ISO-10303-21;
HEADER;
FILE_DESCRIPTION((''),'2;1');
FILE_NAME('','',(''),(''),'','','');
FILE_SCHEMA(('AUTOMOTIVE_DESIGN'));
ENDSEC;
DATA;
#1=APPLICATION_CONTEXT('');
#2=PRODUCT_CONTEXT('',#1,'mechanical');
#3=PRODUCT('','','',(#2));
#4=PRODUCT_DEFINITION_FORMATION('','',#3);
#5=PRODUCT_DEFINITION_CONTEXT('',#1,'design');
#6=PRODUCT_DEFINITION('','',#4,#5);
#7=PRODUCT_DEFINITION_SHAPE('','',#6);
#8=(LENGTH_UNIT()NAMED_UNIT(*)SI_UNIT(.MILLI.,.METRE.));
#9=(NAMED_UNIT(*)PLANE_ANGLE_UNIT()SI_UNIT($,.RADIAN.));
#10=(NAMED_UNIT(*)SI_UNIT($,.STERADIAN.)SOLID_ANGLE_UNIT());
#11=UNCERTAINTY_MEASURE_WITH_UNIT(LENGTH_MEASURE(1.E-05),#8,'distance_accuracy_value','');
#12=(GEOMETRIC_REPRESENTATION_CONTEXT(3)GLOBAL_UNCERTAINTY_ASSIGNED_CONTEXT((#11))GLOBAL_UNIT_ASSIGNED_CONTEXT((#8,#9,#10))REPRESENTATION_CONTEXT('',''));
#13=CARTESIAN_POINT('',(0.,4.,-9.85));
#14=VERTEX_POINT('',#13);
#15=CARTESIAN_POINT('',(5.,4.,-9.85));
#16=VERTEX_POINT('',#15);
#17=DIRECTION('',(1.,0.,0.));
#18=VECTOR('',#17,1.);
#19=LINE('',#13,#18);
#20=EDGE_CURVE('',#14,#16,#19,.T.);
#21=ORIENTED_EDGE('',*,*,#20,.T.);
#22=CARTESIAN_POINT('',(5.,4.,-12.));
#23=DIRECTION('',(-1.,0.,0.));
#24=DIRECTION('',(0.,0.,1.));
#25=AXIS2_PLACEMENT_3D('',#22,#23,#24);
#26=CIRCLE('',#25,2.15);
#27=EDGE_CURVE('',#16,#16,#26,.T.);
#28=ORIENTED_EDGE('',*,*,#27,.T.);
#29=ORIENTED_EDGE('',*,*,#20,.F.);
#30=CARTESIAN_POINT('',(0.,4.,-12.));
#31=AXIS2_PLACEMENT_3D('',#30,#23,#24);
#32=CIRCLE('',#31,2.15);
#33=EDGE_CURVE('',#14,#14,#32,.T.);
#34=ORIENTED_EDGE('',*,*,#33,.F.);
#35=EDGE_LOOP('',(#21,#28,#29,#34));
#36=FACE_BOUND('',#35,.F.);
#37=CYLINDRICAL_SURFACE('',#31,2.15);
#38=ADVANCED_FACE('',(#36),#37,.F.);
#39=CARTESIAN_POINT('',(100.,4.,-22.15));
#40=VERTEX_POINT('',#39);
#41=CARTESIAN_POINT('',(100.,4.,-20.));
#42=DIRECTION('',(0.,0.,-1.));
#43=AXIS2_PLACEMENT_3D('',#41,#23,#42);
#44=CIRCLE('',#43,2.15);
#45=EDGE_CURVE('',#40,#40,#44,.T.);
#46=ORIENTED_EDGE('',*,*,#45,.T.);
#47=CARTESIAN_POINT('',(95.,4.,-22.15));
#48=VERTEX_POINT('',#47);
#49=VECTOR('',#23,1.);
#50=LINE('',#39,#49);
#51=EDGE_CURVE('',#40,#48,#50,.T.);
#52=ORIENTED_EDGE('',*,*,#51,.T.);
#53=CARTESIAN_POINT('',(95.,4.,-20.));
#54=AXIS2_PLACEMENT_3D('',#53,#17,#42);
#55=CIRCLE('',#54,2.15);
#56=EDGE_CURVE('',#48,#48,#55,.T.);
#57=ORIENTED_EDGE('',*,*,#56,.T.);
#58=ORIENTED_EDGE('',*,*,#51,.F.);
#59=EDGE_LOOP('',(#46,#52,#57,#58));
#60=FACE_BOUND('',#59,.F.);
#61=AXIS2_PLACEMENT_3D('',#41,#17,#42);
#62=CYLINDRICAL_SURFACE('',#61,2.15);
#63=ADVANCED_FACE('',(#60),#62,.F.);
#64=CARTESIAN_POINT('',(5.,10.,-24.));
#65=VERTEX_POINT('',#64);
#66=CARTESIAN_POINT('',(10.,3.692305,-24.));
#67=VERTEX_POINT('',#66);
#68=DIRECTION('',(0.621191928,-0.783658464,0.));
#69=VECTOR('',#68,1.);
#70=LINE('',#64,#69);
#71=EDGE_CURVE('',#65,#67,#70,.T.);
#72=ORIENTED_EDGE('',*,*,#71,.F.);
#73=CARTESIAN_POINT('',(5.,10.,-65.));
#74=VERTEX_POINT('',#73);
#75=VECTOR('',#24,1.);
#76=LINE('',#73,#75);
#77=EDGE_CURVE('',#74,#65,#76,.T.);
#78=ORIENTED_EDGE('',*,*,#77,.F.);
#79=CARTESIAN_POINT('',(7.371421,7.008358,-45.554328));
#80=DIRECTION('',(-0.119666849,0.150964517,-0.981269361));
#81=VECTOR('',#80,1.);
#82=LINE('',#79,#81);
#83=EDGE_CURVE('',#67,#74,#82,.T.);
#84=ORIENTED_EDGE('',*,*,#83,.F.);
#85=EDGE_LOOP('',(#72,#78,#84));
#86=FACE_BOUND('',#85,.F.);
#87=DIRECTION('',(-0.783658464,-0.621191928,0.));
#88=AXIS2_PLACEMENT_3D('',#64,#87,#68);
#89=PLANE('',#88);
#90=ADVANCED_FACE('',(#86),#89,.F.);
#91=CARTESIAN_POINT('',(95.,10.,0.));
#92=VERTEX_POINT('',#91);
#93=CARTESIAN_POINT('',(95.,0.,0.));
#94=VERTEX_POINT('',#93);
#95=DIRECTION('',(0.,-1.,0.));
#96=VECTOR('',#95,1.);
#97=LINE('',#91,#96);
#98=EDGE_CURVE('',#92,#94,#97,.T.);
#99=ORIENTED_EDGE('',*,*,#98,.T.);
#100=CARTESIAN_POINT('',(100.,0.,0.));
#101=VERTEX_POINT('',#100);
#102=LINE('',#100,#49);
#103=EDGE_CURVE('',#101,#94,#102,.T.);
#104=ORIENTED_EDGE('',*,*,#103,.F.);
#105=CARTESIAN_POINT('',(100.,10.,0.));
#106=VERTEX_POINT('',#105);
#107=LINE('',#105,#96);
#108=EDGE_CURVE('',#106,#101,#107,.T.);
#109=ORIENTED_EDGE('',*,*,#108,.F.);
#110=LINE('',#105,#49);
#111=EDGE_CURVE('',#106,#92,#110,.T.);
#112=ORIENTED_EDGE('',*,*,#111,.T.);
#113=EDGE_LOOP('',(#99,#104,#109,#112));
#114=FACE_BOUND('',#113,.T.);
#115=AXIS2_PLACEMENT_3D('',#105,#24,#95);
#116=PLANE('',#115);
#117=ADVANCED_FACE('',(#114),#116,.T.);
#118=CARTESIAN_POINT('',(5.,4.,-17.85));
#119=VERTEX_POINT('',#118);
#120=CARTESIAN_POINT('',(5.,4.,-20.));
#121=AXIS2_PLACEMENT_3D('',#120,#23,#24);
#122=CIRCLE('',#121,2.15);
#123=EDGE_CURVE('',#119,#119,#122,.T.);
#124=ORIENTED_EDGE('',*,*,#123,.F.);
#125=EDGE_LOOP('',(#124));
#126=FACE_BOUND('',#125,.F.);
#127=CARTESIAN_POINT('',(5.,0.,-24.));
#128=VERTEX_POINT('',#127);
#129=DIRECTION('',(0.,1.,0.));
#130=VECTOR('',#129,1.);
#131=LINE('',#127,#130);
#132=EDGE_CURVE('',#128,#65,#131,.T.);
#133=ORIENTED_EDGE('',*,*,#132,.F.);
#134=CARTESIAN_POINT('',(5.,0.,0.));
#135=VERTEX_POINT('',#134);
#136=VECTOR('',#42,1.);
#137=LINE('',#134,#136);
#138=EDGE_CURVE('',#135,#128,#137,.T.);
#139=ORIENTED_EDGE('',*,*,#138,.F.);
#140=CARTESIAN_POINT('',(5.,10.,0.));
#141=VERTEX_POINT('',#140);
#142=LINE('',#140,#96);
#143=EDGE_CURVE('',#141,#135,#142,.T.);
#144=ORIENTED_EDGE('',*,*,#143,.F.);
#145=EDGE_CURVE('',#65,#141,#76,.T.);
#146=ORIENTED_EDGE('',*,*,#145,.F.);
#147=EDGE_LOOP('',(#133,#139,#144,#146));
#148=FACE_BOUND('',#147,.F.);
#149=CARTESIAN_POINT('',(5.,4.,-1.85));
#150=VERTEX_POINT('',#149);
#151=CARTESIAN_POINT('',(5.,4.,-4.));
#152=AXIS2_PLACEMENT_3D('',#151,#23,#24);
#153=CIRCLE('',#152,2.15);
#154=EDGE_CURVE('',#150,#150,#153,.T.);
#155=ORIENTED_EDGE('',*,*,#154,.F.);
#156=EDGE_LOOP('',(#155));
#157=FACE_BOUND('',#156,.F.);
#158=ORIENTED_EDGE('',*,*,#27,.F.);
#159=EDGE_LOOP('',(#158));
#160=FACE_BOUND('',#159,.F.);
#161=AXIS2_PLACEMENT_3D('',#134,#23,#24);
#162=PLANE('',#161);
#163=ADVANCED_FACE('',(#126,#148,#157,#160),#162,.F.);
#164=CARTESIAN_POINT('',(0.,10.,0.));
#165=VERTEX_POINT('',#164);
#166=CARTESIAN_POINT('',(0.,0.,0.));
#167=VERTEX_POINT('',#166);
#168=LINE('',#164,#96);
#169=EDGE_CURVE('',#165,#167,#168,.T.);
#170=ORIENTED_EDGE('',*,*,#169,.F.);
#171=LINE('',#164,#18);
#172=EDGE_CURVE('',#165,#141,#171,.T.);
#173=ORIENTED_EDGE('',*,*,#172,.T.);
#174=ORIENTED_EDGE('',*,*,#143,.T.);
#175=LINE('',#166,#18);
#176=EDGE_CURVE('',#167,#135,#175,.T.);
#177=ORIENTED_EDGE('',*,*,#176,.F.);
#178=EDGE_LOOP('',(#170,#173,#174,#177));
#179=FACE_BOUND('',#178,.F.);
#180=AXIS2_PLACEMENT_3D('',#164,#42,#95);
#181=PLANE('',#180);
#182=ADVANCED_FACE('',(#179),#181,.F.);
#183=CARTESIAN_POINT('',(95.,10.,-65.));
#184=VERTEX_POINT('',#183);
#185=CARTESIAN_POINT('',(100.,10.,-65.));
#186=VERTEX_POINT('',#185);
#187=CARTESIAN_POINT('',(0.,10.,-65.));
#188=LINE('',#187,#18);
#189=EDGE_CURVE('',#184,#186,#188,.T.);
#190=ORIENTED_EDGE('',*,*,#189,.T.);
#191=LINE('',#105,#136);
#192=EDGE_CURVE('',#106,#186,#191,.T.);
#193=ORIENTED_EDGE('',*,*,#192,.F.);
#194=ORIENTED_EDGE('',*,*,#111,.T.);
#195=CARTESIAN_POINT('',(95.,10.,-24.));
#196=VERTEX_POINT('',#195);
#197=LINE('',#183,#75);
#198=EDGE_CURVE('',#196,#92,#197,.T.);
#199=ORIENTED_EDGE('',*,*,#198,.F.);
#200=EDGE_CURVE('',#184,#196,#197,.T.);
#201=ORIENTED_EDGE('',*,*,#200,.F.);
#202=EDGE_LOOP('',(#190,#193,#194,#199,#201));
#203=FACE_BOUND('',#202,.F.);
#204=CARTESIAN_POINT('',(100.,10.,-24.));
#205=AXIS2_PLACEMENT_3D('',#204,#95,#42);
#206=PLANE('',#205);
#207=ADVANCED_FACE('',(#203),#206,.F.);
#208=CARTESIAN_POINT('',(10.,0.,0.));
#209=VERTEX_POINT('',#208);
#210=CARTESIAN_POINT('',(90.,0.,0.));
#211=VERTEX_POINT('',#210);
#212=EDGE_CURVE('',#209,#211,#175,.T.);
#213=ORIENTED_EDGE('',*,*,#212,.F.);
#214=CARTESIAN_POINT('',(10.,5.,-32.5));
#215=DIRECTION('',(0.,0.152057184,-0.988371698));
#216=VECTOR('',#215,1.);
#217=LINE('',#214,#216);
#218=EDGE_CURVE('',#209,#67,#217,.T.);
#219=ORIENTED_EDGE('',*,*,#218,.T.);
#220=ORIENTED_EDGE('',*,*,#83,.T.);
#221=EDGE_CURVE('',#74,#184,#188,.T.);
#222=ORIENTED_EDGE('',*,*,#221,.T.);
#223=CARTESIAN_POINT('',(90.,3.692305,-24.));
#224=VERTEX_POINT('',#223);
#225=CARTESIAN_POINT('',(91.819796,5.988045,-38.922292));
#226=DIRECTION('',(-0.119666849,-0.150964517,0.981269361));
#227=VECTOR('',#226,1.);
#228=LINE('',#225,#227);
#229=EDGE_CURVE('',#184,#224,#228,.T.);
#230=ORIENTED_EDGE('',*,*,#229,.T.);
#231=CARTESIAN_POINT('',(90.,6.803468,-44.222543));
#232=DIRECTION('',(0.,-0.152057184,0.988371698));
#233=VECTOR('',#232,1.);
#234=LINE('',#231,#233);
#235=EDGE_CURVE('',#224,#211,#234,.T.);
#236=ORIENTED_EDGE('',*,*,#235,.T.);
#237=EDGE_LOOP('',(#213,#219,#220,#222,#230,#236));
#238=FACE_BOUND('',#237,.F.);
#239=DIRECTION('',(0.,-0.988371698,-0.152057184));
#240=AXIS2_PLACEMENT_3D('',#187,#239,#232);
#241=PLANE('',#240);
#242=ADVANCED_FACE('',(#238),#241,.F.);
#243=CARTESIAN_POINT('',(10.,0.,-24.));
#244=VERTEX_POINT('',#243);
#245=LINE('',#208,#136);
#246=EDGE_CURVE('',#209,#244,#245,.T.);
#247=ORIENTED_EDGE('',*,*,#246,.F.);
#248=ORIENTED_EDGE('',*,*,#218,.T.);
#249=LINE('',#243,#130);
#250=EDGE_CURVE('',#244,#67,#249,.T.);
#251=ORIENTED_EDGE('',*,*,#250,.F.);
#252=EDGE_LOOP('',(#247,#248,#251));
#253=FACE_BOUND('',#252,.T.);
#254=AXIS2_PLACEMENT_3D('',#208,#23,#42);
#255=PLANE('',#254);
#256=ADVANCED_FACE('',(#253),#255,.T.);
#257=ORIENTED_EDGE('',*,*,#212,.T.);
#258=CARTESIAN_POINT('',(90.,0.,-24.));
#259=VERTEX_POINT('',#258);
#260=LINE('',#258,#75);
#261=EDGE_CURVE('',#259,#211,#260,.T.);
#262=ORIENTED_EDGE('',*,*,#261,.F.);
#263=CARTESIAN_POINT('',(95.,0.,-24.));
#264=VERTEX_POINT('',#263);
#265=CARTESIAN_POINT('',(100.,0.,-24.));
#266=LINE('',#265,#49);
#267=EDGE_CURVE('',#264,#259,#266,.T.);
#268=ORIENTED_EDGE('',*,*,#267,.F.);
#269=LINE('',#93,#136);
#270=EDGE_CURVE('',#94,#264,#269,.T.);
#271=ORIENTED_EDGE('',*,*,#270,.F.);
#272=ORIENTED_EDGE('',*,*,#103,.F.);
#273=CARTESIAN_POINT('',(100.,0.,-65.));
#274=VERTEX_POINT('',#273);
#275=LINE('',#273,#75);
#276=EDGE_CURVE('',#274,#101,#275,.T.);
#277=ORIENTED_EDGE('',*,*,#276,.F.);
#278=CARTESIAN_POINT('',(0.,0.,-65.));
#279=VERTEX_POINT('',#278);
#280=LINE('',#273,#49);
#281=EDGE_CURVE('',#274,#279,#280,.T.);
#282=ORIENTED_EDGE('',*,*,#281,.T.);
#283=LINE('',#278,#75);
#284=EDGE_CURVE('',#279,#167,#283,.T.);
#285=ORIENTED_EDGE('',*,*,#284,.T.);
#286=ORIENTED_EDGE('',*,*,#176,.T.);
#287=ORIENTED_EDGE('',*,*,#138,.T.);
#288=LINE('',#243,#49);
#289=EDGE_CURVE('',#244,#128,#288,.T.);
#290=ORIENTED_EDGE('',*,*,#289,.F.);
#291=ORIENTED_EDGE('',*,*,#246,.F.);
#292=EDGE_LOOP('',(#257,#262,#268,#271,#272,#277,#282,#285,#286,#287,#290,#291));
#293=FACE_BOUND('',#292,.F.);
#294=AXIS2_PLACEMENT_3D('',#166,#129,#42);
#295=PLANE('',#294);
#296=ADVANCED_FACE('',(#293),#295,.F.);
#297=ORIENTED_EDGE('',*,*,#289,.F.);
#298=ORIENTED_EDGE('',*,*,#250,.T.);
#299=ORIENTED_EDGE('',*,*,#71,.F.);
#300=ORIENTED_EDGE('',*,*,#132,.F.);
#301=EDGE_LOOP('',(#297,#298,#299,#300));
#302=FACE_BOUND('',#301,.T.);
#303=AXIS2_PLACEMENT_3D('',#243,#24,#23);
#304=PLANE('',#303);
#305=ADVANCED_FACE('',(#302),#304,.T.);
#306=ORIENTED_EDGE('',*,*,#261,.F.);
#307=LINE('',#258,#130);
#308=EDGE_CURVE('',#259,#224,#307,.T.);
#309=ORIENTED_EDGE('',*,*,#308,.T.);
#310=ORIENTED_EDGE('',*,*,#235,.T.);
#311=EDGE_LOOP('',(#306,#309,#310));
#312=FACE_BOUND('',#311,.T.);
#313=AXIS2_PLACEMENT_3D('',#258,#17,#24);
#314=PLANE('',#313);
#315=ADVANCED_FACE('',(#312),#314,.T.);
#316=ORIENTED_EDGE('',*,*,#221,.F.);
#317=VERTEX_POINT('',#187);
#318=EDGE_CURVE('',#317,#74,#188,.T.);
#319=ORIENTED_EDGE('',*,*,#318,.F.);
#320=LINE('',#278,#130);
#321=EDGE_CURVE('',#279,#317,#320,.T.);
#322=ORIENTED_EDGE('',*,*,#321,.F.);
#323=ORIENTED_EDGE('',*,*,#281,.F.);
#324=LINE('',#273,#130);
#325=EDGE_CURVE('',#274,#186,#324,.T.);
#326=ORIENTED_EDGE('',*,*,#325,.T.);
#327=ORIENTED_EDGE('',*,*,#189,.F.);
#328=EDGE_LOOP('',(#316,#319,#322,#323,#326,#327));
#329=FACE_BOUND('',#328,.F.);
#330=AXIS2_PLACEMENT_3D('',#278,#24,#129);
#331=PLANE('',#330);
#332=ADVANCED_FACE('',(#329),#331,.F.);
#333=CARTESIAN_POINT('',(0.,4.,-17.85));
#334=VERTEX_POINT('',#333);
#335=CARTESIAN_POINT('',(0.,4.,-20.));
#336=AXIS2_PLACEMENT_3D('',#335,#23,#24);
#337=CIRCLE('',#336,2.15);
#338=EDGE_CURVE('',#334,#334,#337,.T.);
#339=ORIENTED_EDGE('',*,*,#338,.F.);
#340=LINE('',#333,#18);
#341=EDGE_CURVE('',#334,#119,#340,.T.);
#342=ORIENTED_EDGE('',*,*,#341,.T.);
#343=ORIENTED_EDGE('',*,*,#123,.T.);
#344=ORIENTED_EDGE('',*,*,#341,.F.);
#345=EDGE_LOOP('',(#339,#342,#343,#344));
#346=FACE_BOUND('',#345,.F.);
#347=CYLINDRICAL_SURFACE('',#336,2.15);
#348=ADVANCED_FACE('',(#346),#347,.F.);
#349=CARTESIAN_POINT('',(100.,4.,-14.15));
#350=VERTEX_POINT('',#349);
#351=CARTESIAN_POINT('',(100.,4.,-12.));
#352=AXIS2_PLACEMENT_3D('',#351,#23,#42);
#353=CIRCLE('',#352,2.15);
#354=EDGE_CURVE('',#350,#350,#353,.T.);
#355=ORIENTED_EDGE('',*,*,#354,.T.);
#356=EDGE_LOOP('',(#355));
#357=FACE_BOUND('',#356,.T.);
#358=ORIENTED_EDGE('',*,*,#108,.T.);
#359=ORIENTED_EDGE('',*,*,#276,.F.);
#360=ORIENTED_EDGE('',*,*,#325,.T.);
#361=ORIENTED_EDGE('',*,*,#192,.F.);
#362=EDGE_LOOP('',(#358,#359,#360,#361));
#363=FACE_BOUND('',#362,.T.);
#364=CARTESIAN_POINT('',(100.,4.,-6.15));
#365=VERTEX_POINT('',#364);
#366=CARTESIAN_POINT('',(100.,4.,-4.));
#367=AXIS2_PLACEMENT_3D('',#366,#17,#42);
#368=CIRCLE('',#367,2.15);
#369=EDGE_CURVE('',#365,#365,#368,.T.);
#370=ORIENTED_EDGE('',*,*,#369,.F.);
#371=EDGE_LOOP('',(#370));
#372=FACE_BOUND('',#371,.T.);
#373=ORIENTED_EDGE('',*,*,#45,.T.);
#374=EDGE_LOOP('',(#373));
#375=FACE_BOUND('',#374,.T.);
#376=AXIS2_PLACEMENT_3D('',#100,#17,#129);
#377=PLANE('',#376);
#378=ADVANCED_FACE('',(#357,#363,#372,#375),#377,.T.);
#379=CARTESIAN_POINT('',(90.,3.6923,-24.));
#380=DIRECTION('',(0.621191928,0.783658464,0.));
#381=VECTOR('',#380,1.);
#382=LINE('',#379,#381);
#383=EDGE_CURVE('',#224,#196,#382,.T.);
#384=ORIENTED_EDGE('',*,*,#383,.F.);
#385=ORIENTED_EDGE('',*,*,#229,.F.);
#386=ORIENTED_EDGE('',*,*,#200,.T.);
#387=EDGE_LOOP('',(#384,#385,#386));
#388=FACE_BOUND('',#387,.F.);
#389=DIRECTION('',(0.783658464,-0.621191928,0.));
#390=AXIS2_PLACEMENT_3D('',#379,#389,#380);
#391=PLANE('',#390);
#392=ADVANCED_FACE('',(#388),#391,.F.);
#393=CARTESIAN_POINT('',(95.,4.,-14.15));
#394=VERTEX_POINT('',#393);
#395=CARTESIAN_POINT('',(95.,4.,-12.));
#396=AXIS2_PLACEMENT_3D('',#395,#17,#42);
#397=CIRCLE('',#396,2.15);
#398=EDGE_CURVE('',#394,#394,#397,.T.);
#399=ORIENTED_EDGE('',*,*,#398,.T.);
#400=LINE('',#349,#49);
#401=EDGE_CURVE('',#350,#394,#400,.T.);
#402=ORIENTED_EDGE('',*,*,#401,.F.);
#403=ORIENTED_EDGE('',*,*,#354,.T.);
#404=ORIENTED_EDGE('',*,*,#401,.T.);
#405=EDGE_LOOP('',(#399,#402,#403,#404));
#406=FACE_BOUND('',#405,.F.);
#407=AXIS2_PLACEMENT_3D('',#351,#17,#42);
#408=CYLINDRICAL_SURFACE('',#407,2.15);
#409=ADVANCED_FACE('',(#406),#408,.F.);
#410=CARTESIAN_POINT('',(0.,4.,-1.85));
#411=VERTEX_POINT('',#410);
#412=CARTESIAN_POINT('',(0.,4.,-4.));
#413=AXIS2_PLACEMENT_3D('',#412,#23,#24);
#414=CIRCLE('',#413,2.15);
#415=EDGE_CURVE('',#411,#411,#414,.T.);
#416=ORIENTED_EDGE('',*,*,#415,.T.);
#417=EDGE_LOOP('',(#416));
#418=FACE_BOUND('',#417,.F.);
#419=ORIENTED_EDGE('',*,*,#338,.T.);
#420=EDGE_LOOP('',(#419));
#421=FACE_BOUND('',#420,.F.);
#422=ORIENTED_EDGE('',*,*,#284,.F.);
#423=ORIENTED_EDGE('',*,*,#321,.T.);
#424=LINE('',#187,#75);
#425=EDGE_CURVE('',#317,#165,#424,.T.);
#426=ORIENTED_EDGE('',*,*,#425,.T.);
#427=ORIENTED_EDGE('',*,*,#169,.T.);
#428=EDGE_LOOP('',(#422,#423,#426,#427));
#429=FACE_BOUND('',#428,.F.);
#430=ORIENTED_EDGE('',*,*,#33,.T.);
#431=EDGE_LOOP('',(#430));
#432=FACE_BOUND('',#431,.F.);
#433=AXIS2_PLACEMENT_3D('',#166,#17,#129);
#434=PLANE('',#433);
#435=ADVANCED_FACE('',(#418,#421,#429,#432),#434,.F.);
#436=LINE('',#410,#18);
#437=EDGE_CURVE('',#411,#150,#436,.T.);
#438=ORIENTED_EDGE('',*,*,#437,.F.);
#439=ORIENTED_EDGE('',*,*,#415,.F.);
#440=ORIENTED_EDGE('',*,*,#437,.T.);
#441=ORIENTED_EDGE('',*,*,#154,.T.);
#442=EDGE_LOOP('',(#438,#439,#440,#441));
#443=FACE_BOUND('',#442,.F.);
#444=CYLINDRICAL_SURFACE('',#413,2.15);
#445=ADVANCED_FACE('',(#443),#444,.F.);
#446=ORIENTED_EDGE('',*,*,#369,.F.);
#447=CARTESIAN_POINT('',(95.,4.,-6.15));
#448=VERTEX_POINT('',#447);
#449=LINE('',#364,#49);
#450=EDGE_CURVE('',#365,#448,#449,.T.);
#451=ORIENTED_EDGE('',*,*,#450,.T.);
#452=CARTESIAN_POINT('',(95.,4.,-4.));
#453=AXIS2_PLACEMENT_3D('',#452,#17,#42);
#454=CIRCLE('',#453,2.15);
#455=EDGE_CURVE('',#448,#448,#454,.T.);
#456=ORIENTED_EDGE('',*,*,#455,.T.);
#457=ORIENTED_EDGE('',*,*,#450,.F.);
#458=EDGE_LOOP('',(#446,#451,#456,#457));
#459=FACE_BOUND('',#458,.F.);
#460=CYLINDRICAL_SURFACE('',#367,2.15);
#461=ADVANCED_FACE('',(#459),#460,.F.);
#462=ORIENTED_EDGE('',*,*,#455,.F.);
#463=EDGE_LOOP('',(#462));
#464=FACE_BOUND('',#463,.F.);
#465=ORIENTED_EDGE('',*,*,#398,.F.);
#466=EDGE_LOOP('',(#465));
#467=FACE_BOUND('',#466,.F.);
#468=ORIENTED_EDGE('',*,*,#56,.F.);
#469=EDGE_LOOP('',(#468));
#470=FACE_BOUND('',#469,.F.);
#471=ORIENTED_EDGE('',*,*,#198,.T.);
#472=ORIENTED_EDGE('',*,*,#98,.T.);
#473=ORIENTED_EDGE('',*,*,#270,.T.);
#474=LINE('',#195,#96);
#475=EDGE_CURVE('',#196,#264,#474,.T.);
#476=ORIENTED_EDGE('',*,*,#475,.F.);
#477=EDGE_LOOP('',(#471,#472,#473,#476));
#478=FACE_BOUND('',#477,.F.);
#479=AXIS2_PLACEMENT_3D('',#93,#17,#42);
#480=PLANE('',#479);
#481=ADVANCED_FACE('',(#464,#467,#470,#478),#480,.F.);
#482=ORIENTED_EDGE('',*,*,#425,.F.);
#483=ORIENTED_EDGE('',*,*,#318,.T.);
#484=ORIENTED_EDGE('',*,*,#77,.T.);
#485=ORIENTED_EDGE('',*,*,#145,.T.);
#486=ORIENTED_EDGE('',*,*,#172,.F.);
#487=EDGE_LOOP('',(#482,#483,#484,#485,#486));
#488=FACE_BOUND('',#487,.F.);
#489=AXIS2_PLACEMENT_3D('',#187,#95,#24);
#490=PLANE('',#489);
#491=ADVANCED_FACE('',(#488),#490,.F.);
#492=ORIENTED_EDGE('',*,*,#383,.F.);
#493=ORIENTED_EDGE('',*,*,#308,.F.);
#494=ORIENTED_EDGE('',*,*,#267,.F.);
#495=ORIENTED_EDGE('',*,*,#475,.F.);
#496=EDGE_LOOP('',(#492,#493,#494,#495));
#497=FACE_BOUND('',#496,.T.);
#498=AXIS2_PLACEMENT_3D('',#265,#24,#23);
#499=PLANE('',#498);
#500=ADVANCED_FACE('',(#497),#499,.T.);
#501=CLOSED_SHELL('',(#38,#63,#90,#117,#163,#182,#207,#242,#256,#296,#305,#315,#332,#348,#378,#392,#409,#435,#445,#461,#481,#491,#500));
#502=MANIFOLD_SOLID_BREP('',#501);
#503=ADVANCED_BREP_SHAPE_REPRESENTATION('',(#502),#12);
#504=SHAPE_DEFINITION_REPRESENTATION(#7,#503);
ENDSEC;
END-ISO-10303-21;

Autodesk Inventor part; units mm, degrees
ref_plane "YZ Plane" through (0, 0, 0) normal (1, 0, 0) x (0, 1, 0)
ref_plane "XZ Plane" through (0, 0, 0) normal (0, 1, 0) x (-1, 0, 0)
ref_plane "XY Plane" through (0, 0, 0) normal (0, 0, 1) x (1, 0, 0)
sketch "Sketch1" plane through (0, 0, 0) normal (0, 1, 0) x (-1, 0, 0)
  point P0 (0, 0)
sketch "Sketch2" plane through (0, 0, 0) normal (1, 0, 0) x (0, 1, 0)
  line L0 (0, 0) -> (0, -65)
  line L1 (0, -65) -> (10, -65)
  line L2 (10, -65) -> (0, 0)
  dimension "d0" = 65
  dimension "d2" = 10
extrude "Extrusion1" add sketch "Sketch2" along normal blind 100
sketch "Sketch3" plane through (100, 0, 0) normal (1, 0, 0) x (0, 0, -1)
  line L0 (65, 10) -> (0, 0) projected
  line L1 (0, 0) -> (24, 0)
  line L2 (24, 0) -> (24, 3.6923)
  line L3 (24, 10) -> (0, 10)
  line L4 (0, 10) -> (0, 0)
  circle A0 centre (4, 4) radius 2.15
  circle A1 centre (12, 4) radius 2.15
  circle A2 centre (20, 4) radius 2.15
  line L5 (24, 10) -> (65, 10)
  line L6 (24, 3.6923) -> (65, 10)
  point P0 (0, 5)
  point P1 (12, 0)
  dimension "d5" = 24
  dimension "d6" = 10
  dimension "d7" = 4.3
  dimension "d9" = 4
  dimension "d10" = 4.3
  dimension "d11" = 8
  dimension "d12" = 4.3
  dimension "d13" = 8
  dimension "d38" = 4
  dimension "d39" = 4
  dimension "d40" = 4
sketch "Sketch4" plane through (0, 0, -65) normal (0, -1, 0) x (1, 0, 0)
  line L0 (0, 65) -> (100, 65) projected
  line L1 (85, 65) -> (90, 65)
  line L2 (100, 65) -> (100, 0) projected
  line L3 (85, 65) -> (100, 65)
  line L4 (100, 65) -> (100, 41)
  line L5 (100, 41) -> (90, 41)
  line L6 (100, 41) -> (90, 41)
  line L7 (90, 41) -> (90, 65)
  line L8 (90, 65) -> (100, 65)
  line L9 (100, 65) -> (100, 41)
  dimension "d24" = 10
extrude "Extrusion2" cut sketch "Sketch4" against normal blind 5
extrude "Extrusion3" add sketch "Sketch3" against normal blind 5 contours L0 A2 A1 L4 L3 L5 | L2 L1 L0 A1 A2
sketch "Sketch5" plane through (0, 0, -65) normal (0, -1, 0) x (1, 0, 0)
  line L0 (0, 65) -> (10, 65)
  line L1 (10, 65) -> (10, 41)
  line L2 (10, 41) -> (0, 41)
  line L3 (0, 41) -> (0, 65)
  dimension "d25" = 10
  dimension "d26" = 24
extrude "Extrusion4" cut sketch "Sketch5" against normal blind 5
sketch "Sketch6" plane through (0, 0, 0) normal (-1, 0, 0) x (0, 0, 1)
  line L0 (-65, 0) -> (-65, 10) projected
  line L1 (0, 0) -> (-65, 0)
  line L2 (-65, 0) -> (-65, 10)
  line L3 (-65, 10) -> (0, 10)
  line L4 (0, 10) -> (0, 0)
  circle A0 centre (-4, 4) radius 2.15
  circle A1 centre (-12, 4) radius 2.15
  circle A2 centre (-20, 4) radius 2.15
  dimension "d29" = 4.3
  dimension "d30" = 4
  dimension "d31" = 4
  dimension "d32" = 4.3
  dimension "d33" = 8
  dimension "d34" = 4.3
  dimension "d35" = 8
extrude "Extrusion5" add sketch "Sketch6" against normal blind 5
sketch "Sketch7" plane through (10, 0, -24) normal (0, 0, 1) x (1, 0, 0)
  line L0 (-5, 10) -> (85, 10) projected
  line L1 (0, 0) -> (0, 3.6923) projected
  line L2 (-5, 10) -> (0, 3.6923)
  line L3 (-5, 3.6923) -> (0, 3.6923) projected
  line L4 (0, 3.6923) -> (-5, 3.6923)
  line L5 (-5, 3.6923) -> (-5, 10)
  point P0 (-10, 0)
extrude "Extrusion6" add sketch "Sketch7" against normal blind 41
sketch "Sketch8" plane through (90, 0, -24) normal (0, 0, 1) x (1, 0, 0)
  line L0 (0, 3.6923) -> (5, 3.6923) projected
  line L1 (5, 3.6923) -> (5, 10) projected
  line L2 (0, 3.6923) -> (5, 10)
  line L3 (5, 10) -> (5, 3.6923)
  line L4 (5, 3.6923) -> (0, 3.6923)
  point P0 (-90, 0)
extrude "Extrusion7" add sketch "Sketch8" against normal blind 41
properties part number "slope"
